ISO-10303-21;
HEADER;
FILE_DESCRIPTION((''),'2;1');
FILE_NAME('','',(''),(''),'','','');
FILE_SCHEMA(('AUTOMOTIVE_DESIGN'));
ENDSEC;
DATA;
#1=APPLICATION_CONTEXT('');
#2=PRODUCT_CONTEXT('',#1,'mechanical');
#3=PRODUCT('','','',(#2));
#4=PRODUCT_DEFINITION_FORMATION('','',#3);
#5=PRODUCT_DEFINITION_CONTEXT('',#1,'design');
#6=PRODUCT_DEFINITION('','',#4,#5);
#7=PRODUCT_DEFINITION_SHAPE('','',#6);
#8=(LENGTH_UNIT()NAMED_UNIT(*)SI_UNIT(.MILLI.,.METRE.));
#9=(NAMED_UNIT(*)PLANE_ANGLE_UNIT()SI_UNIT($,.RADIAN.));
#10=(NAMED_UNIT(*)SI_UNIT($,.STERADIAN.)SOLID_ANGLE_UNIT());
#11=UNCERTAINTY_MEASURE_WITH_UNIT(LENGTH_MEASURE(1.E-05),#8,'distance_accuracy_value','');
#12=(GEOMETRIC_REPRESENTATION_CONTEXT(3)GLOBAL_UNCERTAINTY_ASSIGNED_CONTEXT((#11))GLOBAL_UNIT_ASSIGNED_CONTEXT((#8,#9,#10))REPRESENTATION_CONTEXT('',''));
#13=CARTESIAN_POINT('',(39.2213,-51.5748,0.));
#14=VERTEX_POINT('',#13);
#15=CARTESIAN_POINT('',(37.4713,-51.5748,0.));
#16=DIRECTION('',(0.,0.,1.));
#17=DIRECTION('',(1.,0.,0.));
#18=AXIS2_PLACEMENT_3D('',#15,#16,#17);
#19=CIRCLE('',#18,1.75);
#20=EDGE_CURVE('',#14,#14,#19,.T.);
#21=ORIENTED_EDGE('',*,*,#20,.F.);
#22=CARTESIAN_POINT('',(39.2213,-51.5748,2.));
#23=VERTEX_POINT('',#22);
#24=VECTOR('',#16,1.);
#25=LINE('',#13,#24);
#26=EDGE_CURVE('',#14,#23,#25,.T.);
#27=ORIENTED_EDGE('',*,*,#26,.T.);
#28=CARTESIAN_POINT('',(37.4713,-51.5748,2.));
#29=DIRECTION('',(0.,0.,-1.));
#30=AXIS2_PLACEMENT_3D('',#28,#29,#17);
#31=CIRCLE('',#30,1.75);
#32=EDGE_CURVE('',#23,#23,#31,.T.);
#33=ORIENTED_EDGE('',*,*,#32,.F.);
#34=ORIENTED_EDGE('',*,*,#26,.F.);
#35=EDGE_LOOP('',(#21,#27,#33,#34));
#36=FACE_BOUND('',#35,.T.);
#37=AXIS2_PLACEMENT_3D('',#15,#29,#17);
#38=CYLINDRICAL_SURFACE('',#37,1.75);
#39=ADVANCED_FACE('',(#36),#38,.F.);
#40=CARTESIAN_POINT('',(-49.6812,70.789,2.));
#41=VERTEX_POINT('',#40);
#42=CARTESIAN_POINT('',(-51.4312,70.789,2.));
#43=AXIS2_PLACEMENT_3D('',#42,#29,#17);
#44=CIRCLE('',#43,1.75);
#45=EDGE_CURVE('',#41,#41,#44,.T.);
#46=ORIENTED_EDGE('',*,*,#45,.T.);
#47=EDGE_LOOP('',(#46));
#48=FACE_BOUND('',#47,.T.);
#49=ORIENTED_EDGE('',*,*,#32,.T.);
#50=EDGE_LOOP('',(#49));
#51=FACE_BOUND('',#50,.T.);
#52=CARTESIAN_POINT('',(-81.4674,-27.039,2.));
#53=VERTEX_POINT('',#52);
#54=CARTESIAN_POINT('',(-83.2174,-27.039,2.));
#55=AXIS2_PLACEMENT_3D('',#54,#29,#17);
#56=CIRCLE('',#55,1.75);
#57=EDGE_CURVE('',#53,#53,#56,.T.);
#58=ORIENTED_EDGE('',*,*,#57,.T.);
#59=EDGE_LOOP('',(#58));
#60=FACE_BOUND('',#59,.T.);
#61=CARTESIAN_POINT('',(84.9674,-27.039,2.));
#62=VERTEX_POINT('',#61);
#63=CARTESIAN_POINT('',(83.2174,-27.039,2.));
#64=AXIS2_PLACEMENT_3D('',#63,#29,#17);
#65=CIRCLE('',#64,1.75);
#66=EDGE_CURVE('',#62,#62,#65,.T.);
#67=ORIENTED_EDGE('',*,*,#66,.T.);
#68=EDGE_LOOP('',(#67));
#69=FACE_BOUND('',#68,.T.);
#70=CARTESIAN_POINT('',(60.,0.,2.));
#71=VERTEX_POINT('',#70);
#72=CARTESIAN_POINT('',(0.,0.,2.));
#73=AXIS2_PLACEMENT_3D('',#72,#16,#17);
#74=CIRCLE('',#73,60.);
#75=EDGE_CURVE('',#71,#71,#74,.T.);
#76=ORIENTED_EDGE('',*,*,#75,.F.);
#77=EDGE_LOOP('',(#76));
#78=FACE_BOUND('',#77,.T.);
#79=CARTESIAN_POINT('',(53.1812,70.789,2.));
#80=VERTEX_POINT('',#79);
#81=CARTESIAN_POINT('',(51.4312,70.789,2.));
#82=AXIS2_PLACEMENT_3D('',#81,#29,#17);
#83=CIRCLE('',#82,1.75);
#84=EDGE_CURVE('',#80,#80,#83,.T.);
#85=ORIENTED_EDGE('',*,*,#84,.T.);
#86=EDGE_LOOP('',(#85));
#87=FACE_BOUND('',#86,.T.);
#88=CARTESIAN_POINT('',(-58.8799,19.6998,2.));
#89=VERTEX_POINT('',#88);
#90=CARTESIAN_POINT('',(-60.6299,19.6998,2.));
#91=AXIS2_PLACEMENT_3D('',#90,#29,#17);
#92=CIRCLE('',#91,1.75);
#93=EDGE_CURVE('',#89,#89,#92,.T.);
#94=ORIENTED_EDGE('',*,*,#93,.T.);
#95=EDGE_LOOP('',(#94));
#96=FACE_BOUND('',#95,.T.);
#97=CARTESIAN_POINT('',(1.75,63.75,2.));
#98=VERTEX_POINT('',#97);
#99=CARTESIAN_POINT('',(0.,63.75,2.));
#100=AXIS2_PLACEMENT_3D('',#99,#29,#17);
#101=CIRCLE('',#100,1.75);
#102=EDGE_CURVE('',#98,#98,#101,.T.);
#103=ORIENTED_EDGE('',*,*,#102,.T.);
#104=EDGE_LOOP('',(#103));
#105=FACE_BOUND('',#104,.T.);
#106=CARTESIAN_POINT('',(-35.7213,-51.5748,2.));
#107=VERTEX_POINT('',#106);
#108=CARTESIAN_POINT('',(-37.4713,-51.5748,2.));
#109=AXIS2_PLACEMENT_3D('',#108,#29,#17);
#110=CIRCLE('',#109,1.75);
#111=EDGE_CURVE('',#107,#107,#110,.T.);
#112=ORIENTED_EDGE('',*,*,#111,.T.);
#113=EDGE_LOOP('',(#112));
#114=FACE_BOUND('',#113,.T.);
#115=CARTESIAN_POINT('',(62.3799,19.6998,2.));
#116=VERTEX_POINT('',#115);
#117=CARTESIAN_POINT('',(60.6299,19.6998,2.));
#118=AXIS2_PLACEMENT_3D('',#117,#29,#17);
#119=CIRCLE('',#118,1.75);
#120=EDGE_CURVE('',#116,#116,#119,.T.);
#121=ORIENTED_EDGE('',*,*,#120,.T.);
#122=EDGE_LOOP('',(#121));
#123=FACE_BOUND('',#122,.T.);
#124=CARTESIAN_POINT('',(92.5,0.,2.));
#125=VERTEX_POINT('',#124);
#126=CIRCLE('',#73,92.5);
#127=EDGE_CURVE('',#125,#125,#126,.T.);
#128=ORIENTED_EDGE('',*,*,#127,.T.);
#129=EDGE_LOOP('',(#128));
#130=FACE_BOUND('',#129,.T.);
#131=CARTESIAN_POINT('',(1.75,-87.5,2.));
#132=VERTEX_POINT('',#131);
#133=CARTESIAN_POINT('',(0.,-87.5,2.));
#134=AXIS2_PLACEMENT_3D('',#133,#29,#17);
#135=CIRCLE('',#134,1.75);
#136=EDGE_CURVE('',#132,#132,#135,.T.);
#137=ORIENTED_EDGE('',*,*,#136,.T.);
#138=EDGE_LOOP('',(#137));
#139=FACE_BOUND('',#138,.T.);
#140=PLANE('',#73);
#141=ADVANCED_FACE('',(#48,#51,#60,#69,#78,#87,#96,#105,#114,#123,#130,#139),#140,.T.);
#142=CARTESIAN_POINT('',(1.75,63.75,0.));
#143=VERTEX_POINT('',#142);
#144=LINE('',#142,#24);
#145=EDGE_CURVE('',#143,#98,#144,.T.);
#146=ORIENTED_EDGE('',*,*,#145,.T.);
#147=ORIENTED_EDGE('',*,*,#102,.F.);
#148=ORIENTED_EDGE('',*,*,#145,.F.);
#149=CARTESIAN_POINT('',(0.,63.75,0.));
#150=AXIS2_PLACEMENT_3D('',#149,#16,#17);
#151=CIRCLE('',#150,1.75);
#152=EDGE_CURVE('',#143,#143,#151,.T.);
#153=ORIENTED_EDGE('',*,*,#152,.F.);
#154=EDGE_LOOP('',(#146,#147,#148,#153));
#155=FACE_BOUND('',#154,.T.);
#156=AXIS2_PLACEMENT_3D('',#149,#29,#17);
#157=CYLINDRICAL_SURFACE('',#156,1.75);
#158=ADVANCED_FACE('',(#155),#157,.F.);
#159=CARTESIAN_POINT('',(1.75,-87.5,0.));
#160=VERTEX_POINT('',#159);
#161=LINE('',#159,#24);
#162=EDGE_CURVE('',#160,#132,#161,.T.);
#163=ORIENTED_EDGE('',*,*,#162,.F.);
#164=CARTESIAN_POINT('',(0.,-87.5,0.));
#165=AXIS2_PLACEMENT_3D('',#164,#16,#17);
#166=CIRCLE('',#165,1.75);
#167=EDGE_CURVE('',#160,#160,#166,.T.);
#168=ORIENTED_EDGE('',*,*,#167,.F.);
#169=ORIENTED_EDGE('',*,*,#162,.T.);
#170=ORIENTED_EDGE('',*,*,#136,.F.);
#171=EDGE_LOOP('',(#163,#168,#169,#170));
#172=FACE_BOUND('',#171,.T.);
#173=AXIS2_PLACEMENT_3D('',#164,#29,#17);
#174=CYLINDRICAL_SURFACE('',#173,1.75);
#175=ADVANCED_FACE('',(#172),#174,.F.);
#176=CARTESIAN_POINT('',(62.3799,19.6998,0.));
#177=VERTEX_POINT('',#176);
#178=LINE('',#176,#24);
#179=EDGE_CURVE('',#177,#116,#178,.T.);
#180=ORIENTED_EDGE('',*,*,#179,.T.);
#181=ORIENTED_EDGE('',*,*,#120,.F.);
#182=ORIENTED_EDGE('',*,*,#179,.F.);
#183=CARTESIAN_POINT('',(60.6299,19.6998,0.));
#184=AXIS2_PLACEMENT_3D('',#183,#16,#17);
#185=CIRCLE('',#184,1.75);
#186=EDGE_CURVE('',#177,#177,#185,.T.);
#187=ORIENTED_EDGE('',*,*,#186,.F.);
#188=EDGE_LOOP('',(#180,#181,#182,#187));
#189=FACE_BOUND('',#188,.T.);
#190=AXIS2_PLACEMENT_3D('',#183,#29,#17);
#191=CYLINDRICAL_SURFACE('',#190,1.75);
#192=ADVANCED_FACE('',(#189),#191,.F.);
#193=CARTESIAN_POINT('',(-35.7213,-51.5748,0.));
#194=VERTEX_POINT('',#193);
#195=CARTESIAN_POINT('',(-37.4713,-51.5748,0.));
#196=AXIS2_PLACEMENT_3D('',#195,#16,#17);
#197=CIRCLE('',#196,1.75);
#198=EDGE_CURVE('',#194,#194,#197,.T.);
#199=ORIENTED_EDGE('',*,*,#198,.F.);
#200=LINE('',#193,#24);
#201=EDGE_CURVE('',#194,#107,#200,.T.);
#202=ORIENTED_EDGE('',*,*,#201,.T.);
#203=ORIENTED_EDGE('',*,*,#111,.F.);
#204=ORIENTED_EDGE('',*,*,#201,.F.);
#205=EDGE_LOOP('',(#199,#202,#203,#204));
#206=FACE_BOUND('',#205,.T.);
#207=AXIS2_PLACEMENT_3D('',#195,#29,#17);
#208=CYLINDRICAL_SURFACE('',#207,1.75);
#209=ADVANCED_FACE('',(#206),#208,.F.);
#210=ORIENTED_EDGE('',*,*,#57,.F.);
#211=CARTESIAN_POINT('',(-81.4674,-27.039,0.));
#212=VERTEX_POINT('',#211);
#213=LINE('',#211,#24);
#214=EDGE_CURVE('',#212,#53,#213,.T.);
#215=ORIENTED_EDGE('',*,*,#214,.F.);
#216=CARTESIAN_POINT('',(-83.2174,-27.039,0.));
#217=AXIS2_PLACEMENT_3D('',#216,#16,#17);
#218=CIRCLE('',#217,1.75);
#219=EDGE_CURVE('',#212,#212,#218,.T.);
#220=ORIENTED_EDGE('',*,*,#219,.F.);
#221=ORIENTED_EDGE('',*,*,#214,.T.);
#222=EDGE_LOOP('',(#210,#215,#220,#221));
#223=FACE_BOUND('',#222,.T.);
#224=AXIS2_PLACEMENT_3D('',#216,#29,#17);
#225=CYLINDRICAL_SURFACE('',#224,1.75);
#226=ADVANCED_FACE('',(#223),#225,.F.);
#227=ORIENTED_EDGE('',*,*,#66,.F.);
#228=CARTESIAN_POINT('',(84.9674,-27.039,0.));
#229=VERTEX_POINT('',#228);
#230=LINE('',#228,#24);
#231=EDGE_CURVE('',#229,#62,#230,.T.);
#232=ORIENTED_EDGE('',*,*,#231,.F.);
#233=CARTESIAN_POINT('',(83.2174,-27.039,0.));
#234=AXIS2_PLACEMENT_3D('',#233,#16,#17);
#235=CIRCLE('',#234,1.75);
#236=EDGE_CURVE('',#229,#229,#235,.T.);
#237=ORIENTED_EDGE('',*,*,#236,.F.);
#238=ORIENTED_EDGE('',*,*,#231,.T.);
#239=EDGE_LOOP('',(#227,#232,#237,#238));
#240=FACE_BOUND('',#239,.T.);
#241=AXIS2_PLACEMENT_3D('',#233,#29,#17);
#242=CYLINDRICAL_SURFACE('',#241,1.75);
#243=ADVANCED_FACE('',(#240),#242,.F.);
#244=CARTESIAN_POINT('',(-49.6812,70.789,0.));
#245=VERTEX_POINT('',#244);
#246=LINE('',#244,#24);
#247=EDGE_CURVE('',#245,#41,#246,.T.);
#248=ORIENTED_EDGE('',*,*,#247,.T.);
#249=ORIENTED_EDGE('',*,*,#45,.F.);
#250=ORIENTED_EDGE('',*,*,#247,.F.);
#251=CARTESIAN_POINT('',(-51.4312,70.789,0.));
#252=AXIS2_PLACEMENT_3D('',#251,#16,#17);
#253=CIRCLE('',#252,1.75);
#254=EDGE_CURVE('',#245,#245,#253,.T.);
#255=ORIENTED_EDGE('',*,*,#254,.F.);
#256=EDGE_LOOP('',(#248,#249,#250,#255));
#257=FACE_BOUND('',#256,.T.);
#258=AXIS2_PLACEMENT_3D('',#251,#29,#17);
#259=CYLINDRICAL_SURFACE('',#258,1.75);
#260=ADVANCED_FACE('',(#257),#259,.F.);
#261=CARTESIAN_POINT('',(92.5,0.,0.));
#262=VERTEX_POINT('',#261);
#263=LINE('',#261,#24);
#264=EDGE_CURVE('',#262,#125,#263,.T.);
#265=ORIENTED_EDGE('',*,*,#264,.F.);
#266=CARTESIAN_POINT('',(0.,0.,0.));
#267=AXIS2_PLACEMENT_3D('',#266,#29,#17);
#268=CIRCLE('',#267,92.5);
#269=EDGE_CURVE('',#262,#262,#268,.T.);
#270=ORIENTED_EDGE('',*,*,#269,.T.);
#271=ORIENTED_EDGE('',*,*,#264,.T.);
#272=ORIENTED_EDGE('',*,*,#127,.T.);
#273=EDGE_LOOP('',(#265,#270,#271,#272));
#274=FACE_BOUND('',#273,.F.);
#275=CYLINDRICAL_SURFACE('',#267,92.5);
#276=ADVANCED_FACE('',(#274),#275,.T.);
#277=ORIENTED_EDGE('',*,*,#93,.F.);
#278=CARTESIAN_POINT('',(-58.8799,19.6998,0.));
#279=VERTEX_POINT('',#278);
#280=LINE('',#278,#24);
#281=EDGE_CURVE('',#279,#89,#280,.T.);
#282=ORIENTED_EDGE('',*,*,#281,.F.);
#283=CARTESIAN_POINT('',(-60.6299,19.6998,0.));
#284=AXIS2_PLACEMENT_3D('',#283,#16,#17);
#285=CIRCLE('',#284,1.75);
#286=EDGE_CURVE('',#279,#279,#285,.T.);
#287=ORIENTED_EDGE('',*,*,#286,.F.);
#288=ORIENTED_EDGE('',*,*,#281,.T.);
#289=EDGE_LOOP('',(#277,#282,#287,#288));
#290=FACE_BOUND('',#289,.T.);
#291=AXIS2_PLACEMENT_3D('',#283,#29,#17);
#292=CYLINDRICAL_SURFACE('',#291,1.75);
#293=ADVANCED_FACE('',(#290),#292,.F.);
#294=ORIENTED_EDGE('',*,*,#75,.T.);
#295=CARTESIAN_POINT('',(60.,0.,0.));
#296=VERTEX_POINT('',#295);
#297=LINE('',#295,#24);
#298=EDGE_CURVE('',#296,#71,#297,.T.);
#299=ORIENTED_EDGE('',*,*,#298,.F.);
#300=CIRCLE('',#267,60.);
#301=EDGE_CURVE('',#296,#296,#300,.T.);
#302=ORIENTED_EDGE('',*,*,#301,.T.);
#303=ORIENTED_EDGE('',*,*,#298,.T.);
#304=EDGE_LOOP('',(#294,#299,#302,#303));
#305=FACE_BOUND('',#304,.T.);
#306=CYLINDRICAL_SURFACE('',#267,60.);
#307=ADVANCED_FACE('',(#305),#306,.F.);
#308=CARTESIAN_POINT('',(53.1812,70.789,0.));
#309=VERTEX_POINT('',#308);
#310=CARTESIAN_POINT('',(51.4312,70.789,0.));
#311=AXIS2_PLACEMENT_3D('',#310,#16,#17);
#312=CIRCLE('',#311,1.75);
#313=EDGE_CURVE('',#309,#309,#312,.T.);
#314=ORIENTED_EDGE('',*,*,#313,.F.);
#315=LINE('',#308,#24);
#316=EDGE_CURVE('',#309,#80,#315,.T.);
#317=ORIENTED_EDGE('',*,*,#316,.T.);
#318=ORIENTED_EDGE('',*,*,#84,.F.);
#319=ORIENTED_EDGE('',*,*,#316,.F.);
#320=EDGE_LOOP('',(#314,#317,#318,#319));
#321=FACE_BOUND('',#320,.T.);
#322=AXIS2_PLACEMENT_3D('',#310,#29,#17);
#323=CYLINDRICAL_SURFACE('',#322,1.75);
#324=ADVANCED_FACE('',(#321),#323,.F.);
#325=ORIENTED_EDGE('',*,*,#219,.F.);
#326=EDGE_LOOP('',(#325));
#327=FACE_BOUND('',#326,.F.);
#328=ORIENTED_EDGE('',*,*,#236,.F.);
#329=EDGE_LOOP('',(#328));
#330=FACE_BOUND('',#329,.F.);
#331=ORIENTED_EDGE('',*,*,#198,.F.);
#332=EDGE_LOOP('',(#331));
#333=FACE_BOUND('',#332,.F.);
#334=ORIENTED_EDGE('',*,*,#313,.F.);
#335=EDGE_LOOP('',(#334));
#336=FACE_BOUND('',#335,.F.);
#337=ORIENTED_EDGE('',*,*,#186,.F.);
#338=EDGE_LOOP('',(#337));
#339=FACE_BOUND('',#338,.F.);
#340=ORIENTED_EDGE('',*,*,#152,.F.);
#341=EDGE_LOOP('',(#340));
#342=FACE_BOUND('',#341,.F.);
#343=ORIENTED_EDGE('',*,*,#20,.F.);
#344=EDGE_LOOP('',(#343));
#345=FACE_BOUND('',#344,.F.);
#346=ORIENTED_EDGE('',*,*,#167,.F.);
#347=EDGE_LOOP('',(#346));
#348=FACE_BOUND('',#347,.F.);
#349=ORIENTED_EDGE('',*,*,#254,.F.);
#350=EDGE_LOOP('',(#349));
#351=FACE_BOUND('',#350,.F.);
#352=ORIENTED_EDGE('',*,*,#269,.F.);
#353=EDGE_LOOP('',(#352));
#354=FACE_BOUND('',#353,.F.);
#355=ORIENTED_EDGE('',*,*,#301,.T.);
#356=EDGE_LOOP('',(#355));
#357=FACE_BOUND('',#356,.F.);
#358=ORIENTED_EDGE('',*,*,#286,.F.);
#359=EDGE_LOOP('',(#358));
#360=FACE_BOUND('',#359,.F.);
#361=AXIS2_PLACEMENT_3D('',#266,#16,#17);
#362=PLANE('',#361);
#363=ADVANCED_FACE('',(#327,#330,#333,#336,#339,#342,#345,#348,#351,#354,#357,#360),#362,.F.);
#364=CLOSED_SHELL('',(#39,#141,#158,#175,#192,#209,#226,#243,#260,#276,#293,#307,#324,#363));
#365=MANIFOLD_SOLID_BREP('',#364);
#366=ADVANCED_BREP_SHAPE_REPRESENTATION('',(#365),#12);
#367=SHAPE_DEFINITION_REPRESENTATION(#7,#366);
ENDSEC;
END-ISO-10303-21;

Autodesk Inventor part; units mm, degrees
ref_plane "YZ Plane" through (0, 0, 0) normal (1, 0, 0) x (0, 1, 0)
ref_plane "XZ Plane" through (0, 0, 0) normal (0, 1, 0) x (-1, 0, 0)
ref_plane "XY Plane" through (0, 0, 0) normal (0, 0, 1) x (1, 0, 0)
sketch "Sketch1" plane through (0, 0, 0) normal (0, 0, 1) x (1, 0, 0)
  circle A0 centre (0, 0) radius 60
  circle A1 centre (0, 0) radius 92.5
  circle A2 centre (0, 0) radius 63.75
  circle A3 centre (0, 0) radius 87.5
  circle A4 centre (0, 63.75) radius 1.75
  circle A5 centre (-60.6299, 19.6998) radius 1.75
  circle A6 centre (-37.4713, -51.5748) radius 1.75
  circle A7 centre (37.4713, -51.5748) radius 1.75
  circle A8 centre (60.6299, 19.6998) radius 1.75
  line L0 (0, 0) -> (51.4312, 70.789)
  circle A9 centre (51.4312, 70.789) radius 1.75
  line L1 (0, 129.5) -> (0, -129.5) projected
  circle A10 centre (-51.4312, 70.789) radius 1.75
  circle A11 centre (-83.2174, -27.039) radius 1.75
  circle A12 centre (0, -87.5) radius 1.75
  circle A13 centre (83.2174, -27.039) radius 1.75
  dimension "d2" = 127.5
  dimension "d3" = 175
  dimension "d0" = 120
  dimension "d1" = 185
  dimension "d4" = 3.5
  dimension "d7" = 360
  dimension "d9" = 3.5
  dimension "d10" = 36
  dimension "d13" = 360
extrude "Extrusion1" add sketch "Sketch1" along normal blind 2 contours A0 L0 A2 A8 A7 L1 | A0 L1 A4 A2 L0 | L1 A2 A6 A5 A4 A0 | L0 A9 A3 A13 A12 L1 A2 A7 A8 | A2 A4 L1 A3 A9 L0 | L1 A12 A3 A11 A10 A4 A2 A5 A6 | A3 L1 A1 A12 A13 A9 | A12 L1 A1 A3 A10 A11
properties part number "Lid_tight"
